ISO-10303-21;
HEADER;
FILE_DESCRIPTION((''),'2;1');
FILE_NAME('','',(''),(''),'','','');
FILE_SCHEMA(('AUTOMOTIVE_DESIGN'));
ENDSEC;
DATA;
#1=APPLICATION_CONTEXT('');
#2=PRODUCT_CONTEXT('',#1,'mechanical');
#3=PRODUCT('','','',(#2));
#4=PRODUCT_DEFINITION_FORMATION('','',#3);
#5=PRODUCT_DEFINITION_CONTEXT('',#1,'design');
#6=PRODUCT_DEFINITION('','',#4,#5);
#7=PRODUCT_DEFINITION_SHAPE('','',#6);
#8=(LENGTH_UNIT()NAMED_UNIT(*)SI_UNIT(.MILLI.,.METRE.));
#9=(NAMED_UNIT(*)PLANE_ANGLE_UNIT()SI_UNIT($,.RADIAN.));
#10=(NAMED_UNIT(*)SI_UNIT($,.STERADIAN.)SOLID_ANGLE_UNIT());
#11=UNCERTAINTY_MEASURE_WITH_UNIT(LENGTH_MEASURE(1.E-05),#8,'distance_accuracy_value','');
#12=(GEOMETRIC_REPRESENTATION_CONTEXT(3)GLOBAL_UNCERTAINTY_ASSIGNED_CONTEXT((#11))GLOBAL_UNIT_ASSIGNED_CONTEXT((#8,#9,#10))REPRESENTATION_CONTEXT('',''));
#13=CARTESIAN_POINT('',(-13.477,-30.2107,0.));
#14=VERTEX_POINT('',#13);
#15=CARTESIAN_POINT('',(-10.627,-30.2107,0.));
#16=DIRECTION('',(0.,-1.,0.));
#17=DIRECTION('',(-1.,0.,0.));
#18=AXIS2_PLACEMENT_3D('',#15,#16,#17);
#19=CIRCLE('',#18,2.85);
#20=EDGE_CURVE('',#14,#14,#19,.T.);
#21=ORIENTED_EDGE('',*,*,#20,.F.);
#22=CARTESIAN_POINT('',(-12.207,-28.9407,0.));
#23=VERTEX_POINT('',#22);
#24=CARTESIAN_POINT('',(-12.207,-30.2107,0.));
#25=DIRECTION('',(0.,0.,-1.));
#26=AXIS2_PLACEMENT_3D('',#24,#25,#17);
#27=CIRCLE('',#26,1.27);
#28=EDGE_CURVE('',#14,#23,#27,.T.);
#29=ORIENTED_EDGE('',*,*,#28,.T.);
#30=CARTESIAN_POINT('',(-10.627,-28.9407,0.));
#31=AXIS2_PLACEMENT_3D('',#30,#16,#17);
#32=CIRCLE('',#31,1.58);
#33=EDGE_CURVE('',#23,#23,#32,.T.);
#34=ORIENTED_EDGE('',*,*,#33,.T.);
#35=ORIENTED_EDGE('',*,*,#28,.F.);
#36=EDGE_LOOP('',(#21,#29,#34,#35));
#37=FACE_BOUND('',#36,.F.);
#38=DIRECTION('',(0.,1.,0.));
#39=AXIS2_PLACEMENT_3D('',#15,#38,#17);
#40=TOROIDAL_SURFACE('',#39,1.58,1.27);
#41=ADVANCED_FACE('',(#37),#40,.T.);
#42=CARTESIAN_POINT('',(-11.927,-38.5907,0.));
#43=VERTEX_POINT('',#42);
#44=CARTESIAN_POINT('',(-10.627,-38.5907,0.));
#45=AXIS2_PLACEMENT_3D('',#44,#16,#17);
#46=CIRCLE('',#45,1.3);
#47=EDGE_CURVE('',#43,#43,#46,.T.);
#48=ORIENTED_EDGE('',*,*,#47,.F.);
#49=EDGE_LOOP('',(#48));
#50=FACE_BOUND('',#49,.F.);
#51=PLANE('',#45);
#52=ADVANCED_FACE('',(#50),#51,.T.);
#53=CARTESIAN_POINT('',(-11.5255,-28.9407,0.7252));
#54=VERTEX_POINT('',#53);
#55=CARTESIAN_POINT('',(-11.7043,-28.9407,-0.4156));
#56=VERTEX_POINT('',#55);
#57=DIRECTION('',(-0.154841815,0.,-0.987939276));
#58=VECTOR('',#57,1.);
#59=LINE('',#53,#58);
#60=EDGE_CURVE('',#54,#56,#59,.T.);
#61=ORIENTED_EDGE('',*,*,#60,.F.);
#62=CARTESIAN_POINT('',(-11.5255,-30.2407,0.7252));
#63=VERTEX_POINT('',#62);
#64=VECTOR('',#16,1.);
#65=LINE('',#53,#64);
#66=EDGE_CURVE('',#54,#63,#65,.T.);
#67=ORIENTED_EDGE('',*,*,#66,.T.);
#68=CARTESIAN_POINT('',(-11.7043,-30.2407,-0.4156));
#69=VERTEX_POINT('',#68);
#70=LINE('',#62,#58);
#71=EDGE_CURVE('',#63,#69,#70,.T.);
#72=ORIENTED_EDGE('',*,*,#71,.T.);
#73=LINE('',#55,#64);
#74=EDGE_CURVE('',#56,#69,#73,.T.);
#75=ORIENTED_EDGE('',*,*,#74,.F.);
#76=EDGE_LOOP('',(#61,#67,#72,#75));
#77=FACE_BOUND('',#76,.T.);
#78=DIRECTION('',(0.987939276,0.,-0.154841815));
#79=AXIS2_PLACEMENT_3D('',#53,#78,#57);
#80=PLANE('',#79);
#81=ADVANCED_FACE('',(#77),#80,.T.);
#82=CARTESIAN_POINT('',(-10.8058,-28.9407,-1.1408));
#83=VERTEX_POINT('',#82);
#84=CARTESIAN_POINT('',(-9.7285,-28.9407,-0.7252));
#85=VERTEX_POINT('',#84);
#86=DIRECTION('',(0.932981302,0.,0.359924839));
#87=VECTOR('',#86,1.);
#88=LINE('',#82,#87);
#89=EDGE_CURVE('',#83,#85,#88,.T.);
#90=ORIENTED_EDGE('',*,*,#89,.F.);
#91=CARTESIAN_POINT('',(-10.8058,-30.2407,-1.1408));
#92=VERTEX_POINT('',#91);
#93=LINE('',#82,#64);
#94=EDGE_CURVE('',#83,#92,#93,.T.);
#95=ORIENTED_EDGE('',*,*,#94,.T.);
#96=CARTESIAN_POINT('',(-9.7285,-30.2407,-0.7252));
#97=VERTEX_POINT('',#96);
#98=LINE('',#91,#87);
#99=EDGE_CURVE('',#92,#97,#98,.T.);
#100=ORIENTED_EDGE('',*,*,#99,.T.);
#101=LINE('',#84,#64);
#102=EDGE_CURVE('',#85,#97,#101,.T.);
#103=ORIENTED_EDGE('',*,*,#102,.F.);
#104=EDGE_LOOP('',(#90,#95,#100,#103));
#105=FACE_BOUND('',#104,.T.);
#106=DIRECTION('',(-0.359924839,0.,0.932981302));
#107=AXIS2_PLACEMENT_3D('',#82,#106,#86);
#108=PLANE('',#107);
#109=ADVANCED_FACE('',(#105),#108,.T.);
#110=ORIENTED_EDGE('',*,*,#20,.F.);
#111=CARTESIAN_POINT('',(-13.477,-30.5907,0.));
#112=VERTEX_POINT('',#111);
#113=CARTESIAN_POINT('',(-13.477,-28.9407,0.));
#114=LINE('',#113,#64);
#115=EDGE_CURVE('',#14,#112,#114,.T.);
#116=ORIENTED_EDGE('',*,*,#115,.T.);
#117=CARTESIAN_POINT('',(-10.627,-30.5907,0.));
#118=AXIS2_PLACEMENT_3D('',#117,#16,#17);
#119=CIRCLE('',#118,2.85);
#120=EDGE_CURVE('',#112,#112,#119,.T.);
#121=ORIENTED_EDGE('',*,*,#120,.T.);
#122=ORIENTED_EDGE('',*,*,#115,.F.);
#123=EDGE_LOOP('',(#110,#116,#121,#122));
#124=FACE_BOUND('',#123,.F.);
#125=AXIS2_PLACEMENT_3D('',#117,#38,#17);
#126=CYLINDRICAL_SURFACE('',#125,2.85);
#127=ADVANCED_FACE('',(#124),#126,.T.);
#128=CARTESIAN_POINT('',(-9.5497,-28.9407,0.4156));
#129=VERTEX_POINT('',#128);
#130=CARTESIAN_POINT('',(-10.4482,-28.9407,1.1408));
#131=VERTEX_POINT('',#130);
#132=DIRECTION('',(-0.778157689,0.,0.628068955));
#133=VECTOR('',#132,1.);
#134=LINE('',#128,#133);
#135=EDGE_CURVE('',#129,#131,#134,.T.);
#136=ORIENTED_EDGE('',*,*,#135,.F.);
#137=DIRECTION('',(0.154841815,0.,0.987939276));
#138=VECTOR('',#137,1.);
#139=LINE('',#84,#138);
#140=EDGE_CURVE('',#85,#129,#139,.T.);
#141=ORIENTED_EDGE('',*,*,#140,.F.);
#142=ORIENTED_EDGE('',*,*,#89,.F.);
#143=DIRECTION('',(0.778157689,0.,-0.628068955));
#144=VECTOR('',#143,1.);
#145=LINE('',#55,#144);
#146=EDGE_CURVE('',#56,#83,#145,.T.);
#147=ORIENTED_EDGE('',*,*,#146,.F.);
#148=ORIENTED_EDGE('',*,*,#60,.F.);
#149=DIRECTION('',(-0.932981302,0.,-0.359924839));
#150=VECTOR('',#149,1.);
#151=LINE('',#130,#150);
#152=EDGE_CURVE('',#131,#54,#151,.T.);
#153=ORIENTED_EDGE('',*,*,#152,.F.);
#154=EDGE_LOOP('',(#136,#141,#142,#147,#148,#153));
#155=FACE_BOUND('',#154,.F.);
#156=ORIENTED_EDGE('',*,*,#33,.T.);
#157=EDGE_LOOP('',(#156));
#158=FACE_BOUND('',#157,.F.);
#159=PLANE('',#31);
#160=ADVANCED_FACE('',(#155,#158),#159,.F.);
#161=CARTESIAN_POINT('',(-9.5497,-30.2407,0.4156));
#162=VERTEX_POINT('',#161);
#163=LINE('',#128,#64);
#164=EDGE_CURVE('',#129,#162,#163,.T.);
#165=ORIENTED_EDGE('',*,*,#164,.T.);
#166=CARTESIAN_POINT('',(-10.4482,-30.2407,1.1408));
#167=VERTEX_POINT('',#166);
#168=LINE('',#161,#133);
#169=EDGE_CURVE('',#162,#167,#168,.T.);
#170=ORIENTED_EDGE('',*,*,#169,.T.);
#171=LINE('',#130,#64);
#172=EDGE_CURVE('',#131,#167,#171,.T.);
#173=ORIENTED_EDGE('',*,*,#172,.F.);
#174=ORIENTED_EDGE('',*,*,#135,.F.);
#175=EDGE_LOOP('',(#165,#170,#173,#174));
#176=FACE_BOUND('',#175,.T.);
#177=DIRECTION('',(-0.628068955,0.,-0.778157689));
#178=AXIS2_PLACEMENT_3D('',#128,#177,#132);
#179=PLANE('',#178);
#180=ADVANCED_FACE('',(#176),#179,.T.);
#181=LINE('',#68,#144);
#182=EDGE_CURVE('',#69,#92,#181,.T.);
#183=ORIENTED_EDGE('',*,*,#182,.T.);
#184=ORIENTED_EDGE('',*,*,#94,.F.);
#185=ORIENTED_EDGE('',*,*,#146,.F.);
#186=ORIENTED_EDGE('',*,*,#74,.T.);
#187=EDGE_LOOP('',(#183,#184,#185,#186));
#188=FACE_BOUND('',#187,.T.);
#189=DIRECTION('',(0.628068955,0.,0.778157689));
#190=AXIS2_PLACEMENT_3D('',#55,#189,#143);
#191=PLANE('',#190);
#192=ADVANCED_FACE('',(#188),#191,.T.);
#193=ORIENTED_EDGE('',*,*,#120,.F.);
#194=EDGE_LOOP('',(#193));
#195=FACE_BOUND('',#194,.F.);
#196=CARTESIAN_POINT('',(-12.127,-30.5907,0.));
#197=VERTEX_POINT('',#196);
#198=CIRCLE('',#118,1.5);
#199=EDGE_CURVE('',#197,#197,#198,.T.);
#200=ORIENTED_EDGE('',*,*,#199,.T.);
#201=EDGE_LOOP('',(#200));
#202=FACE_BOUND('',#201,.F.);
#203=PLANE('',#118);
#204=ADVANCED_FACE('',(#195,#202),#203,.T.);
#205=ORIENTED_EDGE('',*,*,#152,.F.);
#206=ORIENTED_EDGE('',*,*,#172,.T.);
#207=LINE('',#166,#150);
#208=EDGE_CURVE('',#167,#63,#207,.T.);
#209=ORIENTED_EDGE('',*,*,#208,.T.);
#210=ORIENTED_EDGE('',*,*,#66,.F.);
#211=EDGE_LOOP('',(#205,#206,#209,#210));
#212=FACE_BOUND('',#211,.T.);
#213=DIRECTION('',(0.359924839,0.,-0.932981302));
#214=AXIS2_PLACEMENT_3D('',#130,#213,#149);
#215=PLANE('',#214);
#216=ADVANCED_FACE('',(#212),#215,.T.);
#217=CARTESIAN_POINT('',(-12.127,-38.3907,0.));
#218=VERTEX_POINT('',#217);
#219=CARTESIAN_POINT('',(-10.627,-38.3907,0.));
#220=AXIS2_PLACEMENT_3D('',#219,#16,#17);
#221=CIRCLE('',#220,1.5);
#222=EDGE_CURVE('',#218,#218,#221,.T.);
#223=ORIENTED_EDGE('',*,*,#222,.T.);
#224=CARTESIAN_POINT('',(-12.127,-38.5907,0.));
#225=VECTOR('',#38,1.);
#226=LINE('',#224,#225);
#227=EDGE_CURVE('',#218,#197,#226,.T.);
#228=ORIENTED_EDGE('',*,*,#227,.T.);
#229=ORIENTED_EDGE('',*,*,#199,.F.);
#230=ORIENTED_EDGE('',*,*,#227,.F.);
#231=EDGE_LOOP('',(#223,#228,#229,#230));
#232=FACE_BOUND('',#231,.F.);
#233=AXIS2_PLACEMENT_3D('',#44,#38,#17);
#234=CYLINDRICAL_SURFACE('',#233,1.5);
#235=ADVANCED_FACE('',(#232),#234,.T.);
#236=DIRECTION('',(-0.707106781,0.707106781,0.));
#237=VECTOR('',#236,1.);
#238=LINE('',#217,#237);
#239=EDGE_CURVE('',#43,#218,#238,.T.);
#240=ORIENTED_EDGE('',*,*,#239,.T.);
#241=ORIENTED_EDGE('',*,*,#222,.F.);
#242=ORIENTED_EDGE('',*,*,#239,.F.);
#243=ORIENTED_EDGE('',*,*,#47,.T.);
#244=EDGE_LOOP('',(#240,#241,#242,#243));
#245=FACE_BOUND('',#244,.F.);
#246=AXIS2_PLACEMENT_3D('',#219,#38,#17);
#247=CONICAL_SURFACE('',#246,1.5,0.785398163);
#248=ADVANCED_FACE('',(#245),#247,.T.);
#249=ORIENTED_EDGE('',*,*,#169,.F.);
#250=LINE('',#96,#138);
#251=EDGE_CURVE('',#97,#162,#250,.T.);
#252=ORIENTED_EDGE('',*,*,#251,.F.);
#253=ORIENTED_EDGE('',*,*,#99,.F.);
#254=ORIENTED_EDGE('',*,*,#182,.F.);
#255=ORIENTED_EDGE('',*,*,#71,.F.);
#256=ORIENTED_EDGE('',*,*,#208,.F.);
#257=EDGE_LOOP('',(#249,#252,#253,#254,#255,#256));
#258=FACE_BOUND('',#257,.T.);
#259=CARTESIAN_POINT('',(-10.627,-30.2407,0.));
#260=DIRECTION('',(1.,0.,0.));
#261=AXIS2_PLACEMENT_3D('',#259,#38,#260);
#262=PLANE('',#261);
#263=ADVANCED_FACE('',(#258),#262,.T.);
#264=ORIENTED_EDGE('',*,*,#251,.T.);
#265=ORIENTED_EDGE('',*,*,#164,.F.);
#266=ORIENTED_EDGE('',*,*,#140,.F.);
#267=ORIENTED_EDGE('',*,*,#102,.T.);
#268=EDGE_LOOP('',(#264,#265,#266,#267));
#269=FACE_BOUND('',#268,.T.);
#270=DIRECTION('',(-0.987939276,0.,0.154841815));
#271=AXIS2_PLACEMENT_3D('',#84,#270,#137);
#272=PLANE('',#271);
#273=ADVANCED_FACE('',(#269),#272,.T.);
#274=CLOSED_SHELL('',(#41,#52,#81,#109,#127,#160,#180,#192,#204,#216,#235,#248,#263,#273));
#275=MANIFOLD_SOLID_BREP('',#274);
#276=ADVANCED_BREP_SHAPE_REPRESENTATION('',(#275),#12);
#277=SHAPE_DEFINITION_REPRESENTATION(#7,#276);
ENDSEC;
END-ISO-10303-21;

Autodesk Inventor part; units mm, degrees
ref_plane "YZ Plane" through (0, 0, 0) normal (1, 0, 0) x (0, 1, 0)
ref_plane "XZ Plane" through (0, 0, 0) normal (0, 1, 0) x (-1, 0, 0)
ref_plane "XY Plane" through (0, 0, 0) normal (0, 0, 1) x (1, 0, 0)
sketch "Sketch1" plane through (0, 0, 0) normal (0, 0, 1) x (1, 0, 0)
  line L0 (-10.627, -30.5907) -> (-13.477, -30.5907)
  line L1 (-10.627, -30.5907) -> (-10.627, -38.5907)
  line L2 (-10.627, -38.5907) -> (-12.127, -38.5907)
  line L3 (-12.127, -38.5907) -> (-12.127, -30.5907)
  line L4 (-10.627, -30.5907) -> (-10.627, -26.5988)
  line L5 (-13.477, -30.5907) -> (-13.477, -30.2107)
  line L6 (-13.477, -30.2107) -> (-13.477, -28.9407)
  line L7 (-13.477, -28.9407) -> (-10.627, -28.9407)
  point P0 (0, 0)
  dimension "d0" = 2.85
  dimension "d2" = 8
  dimension "d3" = 1.5
  dimension "d18" = 0.38
  dimension "d19" = 1.65
revolve "Revolution1" add sketch "Sketch1" angle 360 about axis through (-10.627, -30.5907, 0) along (0, -1, 0)
chamfer "Chamfer2" distance 0.2 angle 45 1 edges at (-9.127, -38.5907, 0)
fillet "Empalme2" radius 1.27 1 edges at (-7.777, -28.9407, 0)
sketch "Boceto2" plane through (-10.627, -28.9407, 0) normal (0, 1, 0) x (1, 0, 0)
  line L0 (0.8985, 0.7252) -> (1.0773, -0.4156)
  line L1 (1.0773, -0.4156) -> (0.1788, -1.1408)
  line L2 (0.1788, -1.1408) -> (-0.8985, -0.7252)
  line L3 (-0.8985, -0.7252) -> (-1.0773, 0.4156)
  line L4 (-1.0773, 0.4156) -> (-0.1788, 1.1408)
  line L5 (-0.1788, 1.1408) -> (0.8985, 0.7252)
  point P0 (10.627, 0)
  point P1 (0, 0)
  dimension "d21" = 2
extrude "Extrusión1" cut sketch "Boceto2" against normal blind 1.3
thread "Rosca2" size "M3x0.5" class "6g" standard "ISO Metric profile" length 430
properties part number "Tornillo Allen cabeeza botón M3x8mm"
